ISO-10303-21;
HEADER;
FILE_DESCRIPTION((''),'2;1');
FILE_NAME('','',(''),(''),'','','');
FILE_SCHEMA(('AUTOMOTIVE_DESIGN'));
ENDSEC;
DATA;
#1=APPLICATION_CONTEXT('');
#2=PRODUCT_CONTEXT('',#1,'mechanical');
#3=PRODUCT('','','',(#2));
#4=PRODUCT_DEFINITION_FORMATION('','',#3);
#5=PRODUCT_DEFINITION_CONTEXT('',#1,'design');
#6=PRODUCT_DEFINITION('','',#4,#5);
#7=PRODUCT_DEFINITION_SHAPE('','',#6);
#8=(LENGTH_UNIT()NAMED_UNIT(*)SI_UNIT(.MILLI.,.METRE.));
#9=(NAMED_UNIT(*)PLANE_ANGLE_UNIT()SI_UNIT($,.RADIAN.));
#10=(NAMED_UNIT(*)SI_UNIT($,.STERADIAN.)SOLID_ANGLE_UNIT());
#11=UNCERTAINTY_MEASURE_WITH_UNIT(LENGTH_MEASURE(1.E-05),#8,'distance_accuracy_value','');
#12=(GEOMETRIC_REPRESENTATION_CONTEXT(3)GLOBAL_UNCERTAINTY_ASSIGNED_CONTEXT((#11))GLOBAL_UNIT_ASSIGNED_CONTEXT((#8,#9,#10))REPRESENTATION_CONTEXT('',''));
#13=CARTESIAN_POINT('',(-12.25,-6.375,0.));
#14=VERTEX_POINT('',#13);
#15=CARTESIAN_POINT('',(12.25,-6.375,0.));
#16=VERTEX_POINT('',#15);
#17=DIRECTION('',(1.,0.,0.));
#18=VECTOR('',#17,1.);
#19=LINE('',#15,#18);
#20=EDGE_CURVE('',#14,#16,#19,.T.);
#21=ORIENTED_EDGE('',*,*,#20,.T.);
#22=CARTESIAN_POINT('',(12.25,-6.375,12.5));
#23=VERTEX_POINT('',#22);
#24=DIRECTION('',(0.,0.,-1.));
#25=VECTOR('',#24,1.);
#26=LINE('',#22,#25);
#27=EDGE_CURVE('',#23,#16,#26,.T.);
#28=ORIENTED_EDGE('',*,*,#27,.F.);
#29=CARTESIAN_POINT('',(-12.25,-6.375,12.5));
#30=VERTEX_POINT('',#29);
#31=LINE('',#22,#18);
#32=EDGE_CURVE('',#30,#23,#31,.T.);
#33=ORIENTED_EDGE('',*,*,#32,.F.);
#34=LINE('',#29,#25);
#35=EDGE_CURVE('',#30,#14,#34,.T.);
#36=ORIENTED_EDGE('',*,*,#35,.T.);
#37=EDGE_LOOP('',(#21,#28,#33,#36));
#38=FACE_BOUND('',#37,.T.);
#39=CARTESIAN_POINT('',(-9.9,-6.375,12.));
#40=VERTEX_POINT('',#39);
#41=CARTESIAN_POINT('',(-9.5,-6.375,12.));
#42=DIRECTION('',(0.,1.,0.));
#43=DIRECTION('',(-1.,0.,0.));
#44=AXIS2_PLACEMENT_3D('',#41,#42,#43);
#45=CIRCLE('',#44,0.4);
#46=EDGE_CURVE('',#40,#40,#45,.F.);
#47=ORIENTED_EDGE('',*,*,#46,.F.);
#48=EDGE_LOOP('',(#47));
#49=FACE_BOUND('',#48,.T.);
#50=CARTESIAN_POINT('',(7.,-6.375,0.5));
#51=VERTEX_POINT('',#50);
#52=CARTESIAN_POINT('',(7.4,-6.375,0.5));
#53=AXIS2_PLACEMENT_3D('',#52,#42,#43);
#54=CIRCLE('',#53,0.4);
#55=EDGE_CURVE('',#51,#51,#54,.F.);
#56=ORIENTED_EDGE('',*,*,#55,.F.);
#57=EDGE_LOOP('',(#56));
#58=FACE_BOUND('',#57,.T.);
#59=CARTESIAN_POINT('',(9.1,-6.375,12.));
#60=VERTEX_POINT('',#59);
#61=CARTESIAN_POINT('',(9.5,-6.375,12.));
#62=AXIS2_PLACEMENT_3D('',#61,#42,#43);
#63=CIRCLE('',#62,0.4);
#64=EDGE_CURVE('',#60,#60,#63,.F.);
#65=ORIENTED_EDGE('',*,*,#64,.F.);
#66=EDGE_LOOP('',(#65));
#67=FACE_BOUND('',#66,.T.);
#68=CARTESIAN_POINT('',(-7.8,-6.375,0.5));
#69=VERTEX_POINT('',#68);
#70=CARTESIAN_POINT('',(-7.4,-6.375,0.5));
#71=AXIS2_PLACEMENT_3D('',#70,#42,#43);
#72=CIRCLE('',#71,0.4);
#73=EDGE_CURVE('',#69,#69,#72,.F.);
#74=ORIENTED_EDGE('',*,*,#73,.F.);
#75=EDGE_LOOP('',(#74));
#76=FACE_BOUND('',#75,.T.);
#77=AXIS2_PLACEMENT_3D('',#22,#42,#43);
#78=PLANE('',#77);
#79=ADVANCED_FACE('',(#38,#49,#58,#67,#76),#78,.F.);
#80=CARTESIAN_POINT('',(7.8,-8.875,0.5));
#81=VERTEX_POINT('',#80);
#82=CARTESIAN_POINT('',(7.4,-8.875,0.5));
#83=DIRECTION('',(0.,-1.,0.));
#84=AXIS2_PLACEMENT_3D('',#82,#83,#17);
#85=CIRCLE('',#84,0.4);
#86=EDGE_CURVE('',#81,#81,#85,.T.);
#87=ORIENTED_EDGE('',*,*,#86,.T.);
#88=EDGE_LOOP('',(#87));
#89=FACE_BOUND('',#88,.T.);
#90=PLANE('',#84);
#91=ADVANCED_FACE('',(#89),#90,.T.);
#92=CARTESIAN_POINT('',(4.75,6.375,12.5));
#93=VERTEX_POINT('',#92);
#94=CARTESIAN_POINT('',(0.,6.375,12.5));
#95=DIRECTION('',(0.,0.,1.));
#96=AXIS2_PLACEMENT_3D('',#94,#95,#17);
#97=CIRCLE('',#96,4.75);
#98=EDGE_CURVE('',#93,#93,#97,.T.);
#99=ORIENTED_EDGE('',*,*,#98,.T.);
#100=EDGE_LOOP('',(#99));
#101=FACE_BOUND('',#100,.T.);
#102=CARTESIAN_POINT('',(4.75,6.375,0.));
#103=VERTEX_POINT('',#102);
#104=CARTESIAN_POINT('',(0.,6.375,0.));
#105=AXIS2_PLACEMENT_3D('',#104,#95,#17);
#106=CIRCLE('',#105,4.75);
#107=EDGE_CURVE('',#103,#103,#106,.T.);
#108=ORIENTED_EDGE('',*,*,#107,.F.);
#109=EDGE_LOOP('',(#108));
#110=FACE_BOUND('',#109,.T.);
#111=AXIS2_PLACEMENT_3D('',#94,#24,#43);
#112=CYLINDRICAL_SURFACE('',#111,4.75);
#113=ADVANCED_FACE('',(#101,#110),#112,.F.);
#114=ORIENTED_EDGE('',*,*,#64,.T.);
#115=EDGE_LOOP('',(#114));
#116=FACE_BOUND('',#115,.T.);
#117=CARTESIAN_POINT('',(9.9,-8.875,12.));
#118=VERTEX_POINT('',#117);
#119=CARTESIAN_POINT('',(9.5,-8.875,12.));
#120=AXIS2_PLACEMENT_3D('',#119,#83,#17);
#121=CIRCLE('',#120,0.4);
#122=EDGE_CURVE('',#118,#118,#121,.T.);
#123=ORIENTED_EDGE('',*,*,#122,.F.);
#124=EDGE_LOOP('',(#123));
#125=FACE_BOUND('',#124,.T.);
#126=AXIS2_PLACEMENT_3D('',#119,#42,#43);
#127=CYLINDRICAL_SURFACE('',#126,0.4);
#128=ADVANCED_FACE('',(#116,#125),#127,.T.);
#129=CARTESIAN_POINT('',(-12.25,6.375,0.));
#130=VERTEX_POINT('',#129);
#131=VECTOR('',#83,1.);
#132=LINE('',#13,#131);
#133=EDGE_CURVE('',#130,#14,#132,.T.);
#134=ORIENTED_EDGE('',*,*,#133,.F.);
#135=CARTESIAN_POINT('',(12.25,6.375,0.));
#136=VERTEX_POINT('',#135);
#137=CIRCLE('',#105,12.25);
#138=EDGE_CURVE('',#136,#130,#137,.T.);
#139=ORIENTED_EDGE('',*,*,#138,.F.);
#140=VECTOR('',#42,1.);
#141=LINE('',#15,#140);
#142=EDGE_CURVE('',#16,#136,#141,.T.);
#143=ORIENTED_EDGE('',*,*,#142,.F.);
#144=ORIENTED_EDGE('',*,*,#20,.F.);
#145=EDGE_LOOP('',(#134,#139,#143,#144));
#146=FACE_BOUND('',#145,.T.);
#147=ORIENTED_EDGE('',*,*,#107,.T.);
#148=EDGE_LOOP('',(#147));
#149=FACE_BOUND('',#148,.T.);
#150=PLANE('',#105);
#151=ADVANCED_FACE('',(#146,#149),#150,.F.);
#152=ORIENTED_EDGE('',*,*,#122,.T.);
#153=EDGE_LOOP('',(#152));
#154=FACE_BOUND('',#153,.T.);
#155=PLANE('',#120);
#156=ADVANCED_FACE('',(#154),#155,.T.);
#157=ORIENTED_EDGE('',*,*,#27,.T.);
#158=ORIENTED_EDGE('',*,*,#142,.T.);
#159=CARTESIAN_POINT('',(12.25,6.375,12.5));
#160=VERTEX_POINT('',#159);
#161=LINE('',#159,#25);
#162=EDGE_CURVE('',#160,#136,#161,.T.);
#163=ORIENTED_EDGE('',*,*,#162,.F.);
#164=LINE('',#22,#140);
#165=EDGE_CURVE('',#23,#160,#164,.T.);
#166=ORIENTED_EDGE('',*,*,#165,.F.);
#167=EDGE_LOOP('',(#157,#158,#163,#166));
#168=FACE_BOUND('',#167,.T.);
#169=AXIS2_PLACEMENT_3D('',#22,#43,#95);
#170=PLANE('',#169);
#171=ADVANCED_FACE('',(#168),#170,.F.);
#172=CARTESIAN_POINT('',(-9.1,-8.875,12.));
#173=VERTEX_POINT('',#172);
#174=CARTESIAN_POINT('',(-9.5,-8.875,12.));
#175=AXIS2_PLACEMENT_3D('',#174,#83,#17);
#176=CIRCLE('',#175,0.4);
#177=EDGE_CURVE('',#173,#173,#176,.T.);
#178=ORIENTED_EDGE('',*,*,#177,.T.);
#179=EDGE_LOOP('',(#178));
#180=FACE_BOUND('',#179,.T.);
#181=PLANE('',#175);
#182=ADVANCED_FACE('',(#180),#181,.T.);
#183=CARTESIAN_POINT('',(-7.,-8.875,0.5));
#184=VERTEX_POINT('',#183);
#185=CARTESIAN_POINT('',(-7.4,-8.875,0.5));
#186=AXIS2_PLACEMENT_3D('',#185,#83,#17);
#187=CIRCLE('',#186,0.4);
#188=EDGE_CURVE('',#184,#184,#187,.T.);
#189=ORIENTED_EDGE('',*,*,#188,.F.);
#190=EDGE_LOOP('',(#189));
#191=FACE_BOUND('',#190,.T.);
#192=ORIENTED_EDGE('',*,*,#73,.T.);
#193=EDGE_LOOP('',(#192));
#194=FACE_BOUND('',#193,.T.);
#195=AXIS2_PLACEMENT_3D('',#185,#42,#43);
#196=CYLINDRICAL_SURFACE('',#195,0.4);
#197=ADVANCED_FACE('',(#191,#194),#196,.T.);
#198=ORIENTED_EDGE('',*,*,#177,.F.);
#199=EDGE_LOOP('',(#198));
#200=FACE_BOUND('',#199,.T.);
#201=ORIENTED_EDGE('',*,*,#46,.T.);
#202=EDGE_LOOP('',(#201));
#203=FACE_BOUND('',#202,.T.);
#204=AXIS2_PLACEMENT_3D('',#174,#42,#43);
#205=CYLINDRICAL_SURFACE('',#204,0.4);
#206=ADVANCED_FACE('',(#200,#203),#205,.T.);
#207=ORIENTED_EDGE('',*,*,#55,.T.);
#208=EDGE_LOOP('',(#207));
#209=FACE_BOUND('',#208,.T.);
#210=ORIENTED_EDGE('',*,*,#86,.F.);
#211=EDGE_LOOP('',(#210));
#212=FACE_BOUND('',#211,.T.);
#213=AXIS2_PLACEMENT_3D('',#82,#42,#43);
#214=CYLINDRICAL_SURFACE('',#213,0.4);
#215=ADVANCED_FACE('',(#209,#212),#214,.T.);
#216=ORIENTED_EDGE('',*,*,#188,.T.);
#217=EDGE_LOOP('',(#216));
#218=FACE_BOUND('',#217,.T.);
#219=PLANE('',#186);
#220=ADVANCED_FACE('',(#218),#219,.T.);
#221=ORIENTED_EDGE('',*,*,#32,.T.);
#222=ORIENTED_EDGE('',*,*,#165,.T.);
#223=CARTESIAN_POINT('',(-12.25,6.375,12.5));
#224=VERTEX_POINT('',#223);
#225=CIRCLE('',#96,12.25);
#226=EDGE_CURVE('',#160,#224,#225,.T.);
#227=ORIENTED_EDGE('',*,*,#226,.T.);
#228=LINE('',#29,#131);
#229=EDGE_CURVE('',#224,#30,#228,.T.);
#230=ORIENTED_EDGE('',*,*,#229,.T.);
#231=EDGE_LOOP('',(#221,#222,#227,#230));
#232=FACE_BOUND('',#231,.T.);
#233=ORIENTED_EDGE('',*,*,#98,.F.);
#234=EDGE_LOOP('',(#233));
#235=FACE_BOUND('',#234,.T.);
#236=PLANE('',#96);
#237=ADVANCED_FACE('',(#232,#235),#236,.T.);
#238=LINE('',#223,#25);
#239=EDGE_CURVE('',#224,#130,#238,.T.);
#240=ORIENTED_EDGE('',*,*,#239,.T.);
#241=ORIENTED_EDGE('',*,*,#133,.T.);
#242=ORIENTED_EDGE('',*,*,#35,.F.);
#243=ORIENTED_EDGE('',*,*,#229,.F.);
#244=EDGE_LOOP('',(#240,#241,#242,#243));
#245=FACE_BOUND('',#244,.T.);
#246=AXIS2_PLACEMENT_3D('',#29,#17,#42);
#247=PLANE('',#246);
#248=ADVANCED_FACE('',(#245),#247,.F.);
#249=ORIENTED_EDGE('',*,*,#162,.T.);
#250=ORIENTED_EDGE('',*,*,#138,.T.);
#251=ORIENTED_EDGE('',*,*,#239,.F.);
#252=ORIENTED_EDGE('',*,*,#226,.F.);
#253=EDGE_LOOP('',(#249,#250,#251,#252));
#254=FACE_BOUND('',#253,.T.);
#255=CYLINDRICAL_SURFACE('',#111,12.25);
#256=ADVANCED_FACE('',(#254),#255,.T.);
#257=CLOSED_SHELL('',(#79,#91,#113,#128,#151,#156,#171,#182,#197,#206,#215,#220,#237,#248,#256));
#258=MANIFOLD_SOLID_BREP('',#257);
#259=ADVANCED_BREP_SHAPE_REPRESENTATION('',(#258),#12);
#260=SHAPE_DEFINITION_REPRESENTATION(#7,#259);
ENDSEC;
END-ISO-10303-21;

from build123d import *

# Parameters (mm, degrees)
SKETCH_1_R      = 4.75
EXTRUDE_1_DEPTH = 12.5
SKETCH_2_R      = 0.4
EXTRUDE_2_DEPTH = 2.5


with BuildPart() as part:
    # Эскиз1 → Бобышка-Вытянуть1 (new body)
    with BuildSketch(Plane.XY):
        with BuildLine():
            Line((12.25, -6.375), (-12.25, -6.375))
            Line((-12.25, -6.375), (-12.25, 6.375))
            ThreePointArc((-12.25, 6.375), (0, 18.625), (12.25, 6.375))
            Line((12.25, 6.375), (12.25, -6.375))
        make_face()
        with Locations((0, 6.375)):
            Circle(SKETCH_1_R, mode=Mode.SUBTRACT)
    extrude(amount=EXTRUDE_1_DEPTH)

    # Эскиз2 → Бобышка-Вытянуть2 (add)
    with BuildSketch(Plane.XZ.offset(6.375)):
        with Locations((7.4, 0.5)):
            Circle(SKETCH_2_R)
        with Locations((-7.4, 0.5)):
            Circle(SKETCH_2_R)
        with Locations((9.5, 12)):
            Circle(SKETCH_2_R)
        with Locations((-9.5, 12)):
            Circle(SKETCH_2_R)
    extrude(amount=EXTRUDE_2_DEPTH)


solid = part.part
